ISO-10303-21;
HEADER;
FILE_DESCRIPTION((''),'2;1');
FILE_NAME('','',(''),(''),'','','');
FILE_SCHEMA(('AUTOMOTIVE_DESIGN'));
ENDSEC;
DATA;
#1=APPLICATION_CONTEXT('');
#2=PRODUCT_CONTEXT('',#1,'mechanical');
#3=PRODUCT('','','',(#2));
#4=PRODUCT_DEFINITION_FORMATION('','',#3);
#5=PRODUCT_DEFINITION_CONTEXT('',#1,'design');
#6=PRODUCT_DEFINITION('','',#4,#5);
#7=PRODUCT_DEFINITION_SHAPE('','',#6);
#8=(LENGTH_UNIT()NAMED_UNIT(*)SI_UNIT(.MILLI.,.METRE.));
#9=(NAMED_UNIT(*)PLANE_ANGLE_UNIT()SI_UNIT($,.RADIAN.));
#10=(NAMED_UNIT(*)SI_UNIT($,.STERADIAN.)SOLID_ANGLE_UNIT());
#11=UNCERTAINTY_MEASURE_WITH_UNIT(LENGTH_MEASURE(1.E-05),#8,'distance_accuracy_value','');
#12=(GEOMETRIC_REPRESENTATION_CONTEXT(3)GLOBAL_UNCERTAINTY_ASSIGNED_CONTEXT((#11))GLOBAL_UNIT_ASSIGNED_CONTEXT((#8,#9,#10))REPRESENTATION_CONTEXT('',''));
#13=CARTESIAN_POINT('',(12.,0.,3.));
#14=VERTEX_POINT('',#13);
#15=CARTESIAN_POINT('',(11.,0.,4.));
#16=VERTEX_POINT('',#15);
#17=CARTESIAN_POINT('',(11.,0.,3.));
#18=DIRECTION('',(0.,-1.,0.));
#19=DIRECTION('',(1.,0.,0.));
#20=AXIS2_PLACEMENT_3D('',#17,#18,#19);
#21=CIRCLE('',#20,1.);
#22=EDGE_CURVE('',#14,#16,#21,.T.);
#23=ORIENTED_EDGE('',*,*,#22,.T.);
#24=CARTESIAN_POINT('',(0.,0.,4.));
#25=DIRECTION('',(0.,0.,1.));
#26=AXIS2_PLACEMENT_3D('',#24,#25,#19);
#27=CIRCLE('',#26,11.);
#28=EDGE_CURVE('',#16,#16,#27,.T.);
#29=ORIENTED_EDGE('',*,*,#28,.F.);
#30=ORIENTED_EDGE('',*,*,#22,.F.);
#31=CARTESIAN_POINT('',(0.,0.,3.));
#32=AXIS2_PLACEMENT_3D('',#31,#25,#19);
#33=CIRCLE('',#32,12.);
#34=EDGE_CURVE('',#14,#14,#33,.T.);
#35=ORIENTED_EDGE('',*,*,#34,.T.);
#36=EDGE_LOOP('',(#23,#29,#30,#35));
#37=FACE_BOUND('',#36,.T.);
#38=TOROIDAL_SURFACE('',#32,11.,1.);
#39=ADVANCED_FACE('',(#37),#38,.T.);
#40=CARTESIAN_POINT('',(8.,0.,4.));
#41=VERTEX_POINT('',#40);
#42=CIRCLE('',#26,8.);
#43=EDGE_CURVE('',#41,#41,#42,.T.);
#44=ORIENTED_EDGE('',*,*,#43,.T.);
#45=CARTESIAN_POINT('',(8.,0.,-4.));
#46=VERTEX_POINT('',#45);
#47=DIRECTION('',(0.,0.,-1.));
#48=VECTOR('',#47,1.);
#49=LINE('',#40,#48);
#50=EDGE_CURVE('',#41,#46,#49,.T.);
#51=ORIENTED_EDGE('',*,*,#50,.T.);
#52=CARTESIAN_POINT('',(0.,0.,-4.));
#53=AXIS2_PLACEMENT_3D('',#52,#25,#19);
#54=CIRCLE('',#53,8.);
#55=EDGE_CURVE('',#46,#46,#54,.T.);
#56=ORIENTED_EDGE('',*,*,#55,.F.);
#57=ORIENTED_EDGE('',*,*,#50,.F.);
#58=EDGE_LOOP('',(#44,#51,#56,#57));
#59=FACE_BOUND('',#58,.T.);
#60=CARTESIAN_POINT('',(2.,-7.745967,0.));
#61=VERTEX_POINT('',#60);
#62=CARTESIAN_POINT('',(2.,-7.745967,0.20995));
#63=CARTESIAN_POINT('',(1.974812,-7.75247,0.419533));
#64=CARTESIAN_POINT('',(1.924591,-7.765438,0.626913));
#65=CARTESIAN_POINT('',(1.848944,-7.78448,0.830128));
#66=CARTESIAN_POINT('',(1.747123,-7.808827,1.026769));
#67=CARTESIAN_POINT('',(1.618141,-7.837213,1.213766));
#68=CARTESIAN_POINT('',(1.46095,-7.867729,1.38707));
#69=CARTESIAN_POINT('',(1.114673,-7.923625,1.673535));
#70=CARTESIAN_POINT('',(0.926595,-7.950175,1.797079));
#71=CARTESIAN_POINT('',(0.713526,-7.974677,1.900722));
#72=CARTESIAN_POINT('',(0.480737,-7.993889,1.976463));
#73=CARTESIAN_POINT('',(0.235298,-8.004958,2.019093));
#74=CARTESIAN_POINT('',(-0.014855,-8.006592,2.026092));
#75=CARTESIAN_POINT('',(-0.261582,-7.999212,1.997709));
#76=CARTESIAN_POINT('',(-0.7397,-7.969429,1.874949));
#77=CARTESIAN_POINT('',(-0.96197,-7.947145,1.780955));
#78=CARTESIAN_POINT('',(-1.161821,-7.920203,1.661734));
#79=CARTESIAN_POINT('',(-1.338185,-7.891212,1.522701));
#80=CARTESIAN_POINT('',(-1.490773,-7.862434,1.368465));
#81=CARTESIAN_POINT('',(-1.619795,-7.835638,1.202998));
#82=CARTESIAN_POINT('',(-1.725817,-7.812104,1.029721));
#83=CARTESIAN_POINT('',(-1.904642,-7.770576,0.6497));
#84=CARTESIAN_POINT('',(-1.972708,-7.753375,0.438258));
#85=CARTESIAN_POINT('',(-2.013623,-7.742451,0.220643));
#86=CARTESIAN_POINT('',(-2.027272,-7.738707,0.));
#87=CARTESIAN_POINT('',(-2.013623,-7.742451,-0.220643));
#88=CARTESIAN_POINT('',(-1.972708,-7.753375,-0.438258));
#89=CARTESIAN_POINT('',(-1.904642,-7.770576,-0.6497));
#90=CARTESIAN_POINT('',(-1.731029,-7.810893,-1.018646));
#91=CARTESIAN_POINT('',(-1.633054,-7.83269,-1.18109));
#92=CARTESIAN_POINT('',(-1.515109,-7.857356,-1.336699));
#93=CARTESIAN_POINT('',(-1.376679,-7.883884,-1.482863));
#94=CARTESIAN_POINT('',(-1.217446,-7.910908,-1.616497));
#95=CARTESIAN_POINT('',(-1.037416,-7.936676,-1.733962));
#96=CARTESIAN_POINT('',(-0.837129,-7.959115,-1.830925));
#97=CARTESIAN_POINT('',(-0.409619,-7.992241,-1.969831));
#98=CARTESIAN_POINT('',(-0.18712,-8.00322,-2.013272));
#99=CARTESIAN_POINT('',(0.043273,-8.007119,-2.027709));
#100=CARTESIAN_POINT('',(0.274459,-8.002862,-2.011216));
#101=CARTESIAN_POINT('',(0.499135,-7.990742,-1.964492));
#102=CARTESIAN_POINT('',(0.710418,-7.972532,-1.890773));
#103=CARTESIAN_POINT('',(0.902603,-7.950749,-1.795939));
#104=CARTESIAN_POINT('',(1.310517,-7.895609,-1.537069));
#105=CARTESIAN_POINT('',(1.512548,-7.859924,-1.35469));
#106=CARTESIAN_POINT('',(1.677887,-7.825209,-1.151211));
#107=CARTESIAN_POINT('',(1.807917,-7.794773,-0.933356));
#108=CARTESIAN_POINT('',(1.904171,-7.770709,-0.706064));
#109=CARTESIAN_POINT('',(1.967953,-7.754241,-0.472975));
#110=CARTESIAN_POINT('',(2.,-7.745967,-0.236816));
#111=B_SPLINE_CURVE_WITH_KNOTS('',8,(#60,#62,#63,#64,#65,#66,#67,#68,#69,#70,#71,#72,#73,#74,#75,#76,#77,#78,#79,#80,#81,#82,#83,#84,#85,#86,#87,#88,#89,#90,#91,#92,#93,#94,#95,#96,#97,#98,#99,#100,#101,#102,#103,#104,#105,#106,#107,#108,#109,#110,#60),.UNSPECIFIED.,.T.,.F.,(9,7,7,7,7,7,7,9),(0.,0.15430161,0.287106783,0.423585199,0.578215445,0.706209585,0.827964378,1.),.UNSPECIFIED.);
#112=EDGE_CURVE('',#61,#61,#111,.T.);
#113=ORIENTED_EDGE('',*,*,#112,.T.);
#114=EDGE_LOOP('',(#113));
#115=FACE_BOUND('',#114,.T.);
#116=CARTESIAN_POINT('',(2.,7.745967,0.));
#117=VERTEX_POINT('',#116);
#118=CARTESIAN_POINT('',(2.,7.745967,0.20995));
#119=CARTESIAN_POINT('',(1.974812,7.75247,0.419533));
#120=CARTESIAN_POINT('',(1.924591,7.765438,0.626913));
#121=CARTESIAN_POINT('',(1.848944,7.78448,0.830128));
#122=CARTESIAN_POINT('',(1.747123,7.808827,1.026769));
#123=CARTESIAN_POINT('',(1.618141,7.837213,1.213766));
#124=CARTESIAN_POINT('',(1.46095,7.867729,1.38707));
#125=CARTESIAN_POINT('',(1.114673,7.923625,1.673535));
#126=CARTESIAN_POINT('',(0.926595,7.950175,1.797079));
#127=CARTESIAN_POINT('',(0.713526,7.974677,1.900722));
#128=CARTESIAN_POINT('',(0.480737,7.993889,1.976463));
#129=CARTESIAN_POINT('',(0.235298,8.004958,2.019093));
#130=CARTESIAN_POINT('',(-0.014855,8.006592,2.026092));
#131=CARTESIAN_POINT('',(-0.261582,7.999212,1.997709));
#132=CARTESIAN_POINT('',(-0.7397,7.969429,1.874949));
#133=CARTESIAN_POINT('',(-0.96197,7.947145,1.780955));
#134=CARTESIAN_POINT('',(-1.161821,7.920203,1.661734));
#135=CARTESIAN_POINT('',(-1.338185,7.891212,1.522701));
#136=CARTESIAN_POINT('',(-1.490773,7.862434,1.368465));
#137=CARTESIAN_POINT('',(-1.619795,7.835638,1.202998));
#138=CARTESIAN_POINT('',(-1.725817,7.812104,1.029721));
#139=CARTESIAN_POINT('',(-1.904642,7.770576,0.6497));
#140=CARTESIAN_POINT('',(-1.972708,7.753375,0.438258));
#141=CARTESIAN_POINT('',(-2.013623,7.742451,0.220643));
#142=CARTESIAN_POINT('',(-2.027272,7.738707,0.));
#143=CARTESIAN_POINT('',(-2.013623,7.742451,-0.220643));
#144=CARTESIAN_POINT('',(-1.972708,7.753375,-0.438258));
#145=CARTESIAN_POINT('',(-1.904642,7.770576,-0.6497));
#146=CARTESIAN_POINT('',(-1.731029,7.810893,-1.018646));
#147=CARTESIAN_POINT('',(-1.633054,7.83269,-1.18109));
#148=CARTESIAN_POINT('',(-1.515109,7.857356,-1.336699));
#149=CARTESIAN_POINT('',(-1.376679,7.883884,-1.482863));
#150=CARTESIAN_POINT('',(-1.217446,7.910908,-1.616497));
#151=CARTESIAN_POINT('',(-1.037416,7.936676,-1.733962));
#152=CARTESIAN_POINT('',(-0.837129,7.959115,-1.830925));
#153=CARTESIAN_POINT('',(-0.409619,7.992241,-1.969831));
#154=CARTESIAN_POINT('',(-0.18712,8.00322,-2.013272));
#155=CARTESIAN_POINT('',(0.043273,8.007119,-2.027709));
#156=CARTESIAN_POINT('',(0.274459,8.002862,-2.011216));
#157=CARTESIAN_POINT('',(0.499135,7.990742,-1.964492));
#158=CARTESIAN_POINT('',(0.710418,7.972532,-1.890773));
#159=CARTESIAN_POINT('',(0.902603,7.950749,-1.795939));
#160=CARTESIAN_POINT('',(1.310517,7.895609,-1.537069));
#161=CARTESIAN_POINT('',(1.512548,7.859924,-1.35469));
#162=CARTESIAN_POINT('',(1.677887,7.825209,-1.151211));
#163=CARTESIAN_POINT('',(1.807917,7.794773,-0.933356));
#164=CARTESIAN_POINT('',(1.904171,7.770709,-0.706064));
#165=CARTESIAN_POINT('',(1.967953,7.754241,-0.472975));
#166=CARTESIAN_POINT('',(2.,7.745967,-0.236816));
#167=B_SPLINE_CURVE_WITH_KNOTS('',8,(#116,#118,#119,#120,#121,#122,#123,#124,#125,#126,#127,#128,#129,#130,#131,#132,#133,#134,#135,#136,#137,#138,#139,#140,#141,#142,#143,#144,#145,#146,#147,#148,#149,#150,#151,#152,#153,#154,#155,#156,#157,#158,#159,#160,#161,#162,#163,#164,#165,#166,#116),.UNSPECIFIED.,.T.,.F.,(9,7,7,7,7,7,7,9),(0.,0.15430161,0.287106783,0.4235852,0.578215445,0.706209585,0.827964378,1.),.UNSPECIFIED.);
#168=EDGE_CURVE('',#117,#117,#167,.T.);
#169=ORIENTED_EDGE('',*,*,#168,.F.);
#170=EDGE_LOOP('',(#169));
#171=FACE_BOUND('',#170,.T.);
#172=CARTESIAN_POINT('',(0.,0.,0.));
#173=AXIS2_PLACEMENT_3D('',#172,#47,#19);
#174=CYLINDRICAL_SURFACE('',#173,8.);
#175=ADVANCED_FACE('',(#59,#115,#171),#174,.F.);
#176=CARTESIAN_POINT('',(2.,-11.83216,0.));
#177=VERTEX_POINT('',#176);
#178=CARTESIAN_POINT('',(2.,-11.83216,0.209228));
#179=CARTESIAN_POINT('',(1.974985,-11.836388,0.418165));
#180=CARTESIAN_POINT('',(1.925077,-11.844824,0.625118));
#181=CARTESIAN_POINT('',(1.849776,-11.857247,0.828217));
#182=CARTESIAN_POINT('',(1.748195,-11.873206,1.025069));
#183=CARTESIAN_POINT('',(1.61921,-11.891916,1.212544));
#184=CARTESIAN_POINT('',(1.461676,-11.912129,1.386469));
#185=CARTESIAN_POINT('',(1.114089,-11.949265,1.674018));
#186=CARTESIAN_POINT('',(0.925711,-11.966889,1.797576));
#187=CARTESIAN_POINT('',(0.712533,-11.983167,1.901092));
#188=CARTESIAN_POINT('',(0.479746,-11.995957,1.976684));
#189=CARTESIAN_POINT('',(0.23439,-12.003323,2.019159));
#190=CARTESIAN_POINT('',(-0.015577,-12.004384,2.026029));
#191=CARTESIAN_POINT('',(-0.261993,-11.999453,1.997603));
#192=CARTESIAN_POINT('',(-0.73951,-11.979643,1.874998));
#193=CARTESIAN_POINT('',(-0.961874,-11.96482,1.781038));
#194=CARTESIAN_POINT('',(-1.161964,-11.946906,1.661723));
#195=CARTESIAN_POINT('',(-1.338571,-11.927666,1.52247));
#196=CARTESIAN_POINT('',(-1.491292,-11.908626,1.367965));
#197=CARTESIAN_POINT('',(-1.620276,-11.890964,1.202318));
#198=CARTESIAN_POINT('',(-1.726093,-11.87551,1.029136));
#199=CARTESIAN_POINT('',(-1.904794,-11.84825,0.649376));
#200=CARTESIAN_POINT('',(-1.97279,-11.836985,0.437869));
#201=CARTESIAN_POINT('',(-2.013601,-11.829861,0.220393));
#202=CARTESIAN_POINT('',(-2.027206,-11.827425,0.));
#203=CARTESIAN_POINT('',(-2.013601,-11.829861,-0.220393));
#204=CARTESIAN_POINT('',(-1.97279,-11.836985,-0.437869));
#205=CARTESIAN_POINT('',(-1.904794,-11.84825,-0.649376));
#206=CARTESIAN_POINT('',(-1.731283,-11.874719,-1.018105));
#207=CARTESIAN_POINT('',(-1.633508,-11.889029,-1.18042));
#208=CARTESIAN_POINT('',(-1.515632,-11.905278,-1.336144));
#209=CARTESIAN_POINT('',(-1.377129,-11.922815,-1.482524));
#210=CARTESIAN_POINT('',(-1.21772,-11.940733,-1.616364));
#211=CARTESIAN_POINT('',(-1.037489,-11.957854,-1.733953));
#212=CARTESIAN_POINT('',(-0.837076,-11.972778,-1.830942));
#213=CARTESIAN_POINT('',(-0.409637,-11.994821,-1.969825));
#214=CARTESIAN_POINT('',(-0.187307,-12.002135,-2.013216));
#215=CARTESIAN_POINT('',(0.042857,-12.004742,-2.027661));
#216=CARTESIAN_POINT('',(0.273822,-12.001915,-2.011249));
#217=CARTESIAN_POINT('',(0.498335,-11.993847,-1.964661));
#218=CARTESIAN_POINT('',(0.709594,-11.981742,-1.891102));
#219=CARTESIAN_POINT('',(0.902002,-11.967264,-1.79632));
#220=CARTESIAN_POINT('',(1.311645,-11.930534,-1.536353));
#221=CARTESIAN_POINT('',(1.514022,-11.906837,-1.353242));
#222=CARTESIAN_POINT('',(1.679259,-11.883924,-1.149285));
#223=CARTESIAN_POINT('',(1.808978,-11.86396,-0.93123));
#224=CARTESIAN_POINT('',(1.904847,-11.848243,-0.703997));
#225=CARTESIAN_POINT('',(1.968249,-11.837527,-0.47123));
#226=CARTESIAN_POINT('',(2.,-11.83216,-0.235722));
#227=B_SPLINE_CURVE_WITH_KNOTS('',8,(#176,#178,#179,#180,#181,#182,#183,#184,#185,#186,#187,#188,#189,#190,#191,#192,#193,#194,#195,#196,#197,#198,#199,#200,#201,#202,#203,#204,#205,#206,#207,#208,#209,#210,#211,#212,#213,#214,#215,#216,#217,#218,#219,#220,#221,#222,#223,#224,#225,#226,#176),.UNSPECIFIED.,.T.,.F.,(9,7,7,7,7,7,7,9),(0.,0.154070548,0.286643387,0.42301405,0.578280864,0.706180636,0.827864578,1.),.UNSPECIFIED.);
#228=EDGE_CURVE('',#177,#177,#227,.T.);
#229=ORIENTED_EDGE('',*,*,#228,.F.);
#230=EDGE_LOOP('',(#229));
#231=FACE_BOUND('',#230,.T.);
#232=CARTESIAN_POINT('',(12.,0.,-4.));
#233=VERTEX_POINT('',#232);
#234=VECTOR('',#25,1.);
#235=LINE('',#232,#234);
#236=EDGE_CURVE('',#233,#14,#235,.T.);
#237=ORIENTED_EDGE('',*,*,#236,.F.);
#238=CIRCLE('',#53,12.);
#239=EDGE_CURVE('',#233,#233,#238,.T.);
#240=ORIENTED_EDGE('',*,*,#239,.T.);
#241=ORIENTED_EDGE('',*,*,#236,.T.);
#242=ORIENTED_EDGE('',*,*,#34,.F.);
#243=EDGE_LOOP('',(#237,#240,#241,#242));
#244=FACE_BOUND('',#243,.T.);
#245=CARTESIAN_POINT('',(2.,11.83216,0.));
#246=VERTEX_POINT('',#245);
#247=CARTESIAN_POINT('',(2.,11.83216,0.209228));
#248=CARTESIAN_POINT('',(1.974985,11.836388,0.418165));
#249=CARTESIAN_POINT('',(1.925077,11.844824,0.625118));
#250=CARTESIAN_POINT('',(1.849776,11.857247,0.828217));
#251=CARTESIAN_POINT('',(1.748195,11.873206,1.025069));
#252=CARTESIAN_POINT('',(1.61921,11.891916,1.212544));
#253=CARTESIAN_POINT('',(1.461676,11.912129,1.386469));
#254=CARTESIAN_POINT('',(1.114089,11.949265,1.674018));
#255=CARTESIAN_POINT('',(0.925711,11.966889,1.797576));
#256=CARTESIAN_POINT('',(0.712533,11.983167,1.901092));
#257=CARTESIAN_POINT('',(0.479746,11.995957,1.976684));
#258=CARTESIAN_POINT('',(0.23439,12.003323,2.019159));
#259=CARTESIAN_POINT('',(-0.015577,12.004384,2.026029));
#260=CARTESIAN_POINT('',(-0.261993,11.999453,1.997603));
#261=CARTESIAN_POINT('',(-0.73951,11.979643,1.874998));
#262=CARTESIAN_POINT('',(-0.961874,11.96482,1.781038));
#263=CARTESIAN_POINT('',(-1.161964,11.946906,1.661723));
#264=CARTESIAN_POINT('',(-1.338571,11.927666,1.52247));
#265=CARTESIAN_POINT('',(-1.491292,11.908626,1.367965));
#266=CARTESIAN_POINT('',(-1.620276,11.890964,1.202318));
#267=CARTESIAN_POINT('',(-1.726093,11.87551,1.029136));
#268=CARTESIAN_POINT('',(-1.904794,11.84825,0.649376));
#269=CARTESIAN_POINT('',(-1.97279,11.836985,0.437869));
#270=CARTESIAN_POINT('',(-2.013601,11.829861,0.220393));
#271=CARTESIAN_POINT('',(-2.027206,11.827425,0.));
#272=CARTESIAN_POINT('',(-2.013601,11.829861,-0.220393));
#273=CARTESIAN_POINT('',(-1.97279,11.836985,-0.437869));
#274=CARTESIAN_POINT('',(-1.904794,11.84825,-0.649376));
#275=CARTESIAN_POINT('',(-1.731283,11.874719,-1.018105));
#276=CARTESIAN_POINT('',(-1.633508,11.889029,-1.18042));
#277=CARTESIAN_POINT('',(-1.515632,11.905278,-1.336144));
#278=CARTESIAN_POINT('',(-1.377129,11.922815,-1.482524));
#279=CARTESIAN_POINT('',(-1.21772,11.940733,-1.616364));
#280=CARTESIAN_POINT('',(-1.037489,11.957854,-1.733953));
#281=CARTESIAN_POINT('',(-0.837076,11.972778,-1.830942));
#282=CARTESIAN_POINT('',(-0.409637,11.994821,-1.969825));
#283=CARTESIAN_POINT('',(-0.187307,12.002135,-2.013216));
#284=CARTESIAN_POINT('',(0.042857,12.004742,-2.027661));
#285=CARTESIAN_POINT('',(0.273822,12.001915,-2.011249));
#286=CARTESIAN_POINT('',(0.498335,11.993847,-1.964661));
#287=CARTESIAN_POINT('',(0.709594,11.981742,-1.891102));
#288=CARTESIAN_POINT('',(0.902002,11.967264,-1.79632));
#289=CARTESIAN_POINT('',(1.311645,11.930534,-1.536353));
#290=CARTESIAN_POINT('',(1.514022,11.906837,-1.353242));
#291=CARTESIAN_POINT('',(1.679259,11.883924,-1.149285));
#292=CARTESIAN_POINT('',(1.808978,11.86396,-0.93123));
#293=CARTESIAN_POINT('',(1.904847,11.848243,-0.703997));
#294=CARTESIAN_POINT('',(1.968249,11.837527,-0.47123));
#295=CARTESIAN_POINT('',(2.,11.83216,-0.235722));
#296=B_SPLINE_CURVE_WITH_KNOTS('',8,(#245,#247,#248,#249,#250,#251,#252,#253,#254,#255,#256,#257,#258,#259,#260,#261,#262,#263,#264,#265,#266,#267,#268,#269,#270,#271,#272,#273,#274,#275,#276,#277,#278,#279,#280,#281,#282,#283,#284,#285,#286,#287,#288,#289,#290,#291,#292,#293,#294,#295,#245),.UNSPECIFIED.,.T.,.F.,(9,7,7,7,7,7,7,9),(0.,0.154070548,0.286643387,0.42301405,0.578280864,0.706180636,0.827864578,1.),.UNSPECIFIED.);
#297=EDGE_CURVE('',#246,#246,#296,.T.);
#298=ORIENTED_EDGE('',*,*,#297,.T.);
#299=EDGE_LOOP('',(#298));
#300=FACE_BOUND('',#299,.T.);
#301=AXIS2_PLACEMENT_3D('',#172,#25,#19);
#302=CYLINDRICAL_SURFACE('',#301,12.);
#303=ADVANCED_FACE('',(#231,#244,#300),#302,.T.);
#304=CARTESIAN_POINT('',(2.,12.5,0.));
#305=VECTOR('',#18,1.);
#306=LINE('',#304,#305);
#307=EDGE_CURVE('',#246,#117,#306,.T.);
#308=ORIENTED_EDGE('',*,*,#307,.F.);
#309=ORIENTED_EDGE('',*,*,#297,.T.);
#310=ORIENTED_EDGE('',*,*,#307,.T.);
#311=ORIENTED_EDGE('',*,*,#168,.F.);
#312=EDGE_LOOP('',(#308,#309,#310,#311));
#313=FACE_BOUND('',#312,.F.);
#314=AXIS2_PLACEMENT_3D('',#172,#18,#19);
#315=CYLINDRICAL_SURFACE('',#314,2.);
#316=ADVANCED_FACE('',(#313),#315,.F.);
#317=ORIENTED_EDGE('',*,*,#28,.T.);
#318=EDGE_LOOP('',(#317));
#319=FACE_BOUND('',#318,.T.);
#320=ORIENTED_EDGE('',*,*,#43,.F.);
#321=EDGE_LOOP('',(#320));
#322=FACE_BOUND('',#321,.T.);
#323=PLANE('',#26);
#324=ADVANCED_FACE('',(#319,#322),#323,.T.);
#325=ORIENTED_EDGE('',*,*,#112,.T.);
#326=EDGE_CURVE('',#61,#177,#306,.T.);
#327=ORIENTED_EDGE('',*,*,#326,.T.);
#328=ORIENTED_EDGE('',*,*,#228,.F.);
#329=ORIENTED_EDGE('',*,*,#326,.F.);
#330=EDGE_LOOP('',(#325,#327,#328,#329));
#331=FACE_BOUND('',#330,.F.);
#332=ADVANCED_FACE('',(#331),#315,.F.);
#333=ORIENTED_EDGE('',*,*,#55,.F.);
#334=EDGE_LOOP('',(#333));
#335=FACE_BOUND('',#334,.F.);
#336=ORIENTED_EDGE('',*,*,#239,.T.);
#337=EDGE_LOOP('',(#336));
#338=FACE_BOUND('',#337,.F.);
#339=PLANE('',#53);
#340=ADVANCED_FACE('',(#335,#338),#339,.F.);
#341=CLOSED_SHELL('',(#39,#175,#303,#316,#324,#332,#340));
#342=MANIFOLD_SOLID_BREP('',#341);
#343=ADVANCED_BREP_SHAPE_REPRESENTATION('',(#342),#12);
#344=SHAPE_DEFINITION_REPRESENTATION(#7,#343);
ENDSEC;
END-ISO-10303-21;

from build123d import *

# Parameters (mm, degrees)
F0_R     = 12
F0_R_2   = 8
F1_DEPTH = 4
F2_R     = 1
F3_R     = 2
F4_DEPTH = 12.5


with BuildPart() as f1:
    # F0 (on Top) → F1 (new body, symmetric)
    with BuildSketch(Plane.XY):
        Circle(F0_R)
        Circle(F0_R_2, mode=Mode.SUBTRACT)
    extrude(amount=F1_DEPTH, both=True)

    # F2
    f2_edges = [f1.edges().sort_by_distance(p)[0] for p in [
        (-12, 0, 4),
    ]]
    fillet(f2_edges, radius=F2_R)

    # F3 (on Front) → F4 (cut, symmetric)
    with BuildSketch(Plane.XZ):
        Circle(F3_R)
    extrude(amount=F4_DEPTH, both=True, mode=Mode.SUBTRACT)


solid = f1.part
